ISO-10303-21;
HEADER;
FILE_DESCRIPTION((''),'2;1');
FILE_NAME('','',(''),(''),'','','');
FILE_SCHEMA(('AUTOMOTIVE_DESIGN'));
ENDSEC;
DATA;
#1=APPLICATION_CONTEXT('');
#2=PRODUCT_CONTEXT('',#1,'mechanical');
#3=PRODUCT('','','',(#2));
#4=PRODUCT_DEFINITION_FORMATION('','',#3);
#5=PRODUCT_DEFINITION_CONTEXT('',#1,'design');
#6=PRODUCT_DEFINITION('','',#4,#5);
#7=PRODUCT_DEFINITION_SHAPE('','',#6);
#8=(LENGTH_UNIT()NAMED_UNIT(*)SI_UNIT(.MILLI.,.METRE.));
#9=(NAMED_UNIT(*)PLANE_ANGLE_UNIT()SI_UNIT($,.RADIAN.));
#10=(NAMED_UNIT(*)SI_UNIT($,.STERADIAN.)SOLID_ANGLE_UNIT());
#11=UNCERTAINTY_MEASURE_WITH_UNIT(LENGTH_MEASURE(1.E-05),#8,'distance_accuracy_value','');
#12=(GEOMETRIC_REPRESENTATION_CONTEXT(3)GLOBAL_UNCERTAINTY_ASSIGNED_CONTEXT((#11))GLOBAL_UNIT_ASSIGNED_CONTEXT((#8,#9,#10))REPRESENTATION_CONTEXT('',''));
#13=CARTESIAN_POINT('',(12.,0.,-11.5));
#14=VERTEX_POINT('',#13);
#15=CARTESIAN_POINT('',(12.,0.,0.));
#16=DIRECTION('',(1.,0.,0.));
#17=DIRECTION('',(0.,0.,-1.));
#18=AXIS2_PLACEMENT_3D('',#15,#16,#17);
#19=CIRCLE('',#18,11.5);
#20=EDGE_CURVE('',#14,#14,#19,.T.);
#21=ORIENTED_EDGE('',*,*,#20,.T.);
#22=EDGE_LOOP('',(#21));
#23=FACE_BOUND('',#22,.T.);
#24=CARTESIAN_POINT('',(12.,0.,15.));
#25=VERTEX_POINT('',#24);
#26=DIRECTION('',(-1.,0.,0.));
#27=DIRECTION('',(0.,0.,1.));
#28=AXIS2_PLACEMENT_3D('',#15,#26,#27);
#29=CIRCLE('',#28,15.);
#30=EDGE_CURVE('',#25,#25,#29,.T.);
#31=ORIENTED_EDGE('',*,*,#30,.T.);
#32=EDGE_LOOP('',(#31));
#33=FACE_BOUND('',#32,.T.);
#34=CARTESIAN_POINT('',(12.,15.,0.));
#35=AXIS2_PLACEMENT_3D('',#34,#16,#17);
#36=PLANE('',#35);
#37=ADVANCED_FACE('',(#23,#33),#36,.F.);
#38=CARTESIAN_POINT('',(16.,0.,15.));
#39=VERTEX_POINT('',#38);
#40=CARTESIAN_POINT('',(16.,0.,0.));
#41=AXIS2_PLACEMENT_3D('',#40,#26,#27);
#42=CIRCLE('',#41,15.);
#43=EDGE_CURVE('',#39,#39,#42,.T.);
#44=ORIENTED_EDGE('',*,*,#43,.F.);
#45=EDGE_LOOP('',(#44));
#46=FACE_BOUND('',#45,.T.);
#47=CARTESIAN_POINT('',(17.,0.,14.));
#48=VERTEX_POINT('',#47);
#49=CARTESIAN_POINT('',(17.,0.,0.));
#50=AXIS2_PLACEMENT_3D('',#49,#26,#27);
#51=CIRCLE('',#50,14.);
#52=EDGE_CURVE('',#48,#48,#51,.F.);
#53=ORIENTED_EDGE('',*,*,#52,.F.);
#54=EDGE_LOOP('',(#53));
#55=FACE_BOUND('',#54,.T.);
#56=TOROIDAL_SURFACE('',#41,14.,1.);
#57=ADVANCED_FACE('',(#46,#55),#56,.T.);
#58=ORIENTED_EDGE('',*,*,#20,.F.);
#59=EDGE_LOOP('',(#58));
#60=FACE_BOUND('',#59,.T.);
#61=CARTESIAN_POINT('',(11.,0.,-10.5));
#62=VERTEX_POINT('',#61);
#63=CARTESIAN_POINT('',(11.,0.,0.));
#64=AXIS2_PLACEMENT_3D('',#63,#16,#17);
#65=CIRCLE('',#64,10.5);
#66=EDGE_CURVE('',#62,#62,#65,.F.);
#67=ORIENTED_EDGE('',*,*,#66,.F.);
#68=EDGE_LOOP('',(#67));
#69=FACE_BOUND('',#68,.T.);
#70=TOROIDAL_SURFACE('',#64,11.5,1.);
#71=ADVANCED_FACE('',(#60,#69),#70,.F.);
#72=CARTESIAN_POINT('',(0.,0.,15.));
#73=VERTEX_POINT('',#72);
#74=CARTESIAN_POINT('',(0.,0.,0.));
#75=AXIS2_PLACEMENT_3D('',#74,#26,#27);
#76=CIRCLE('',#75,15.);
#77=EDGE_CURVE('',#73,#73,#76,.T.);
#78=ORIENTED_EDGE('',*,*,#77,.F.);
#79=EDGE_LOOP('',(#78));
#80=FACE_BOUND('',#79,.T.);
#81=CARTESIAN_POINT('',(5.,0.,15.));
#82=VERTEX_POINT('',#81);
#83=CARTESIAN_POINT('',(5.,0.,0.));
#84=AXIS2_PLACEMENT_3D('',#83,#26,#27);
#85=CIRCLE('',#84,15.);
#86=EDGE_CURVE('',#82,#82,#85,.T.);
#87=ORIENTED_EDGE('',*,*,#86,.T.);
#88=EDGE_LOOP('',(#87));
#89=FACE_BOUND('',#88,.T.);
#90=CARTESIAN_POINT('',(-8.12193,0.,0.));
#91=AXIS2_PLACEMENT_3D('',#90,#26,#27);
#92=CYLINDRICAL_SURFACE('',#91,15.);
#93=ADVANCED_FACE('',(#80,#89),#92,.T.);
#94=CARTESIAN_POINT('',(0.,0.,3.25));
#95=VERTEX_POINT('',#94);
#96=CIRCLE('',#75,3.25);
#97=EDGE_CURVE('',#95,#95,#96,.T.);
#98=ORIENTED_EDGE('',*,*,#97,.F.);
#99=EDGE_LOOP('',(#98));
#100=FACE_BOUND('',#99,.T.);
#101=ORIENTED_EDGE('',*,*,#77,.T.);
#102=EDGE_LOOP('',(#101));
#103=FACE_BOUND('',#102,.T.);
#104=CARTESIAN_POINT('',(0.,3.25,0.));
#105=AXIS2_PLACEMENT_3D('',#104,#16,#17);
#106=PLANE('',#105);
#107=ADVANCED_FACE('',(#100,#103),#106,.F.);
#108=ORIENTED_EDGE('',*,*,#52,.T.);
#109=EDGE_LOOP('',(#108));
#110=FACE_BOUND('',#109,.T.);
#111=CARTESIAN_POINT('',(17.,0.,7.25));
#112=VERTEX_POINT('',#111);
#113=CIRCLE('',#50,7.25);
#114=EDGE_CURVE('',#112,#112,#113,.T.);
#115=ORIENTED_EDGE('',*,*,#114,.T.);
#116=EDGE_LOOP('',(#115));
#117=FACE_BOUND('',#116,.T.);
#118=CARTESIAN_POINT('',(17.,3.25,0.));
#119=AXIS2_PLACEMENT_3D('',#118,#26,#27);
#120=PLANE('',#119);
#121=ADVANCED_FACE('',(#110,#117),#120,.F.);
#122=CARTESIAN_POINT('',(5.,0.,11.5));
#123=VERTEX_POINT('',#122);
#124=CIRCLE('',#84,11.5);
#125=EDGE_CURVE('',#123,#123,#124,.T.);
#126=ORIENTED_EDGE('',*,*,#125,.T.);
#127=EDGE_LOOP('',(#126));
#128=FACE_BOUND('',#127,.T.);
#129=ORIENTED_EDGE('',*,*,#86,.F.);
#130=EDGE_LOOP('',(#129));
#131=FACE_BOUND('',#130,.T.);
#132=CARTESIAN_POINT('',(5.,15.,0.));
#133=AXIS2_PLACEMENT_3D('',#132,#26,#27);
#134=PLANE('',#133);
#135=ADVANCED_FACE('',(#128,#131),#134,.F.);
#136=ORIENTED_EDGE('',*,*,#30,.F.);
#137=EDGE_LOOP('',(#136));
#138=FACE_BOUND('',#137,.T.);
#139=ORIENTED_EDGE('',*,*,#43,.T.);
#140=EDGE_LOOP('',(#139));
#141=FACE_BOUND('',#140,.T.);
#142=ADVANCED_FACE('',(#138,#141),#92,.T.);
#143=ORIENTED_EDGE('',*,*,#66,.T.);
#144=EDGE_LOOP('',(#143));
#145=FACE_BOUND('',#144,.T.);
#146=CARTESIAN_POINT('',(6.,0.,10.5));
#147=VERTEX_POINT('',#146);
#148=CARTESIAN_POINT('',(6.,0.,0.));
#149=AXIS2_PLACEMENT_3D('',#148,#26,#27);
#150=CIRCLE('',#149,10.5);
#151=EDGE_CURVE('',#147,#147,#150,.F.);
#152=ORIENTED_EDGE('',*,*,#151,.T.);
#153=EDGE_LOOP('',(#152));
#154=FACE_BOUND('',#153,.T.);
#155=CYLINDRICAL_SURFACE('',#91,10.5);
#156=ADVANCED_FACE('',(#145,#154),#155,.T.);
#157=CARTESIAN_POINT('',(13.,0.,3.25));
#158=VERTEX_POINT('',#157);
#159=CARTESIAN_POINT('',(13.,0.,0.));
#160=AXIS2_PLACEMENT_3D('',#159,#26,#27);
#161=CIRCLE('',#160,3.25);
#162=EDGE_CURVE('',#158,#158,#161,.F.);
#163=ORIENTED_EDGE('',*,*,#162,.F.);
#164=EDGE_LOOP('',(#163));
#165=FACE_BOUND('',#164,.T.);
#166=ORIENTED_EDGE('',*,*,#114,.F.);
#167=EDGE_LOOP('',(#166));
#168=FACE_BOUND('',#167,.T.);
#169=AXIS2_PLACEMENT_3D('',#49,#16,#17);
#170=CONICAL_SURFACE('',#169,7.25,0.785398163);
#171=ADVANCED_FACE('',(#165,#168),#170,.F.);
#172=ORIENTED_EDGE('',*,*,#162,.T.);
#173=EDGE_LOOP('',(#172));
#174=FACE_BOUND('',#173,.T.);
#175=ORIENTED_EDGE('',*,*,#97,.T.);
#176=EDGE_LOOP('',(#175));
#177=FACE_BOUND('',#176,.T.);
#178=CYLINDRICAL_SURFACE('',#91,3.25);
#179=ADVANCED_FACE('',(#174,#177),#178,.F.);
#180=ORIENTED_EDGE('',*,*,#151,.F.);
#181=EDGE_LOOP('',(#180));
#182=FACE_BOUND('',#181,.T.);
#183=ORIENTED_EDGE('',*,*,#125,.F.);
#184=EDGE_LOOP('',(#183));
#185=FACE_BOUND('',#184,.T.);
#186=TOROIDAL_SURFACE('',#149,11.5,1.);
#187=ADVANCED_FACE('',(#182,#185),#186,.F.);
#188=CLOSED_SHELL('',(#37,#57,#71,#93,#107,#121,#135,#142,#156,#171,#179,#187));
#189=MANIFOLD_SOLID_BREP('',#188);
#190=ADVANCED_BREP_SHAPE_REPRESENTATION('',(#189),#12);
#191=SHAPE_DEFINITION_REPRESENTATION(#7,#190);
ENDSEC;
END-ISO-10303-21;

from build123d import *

# Parameters (mm, degrees)
FILLET1_R     = 1
FILLET2_R     = 1
CHAMFER1_SIZE = 4


with BuildPart() as part:
    # Sketch1 → Revolve1 (revolve)
    with BuildSketch(Plane.XY, mode=Mode.PRIVATE) as revolve1_sk:
        Polygon((12, 15), (17, 15), (17, 3.25), (0, 3.25), (0, 15), (5, 15), (5, 10.5), (12, 10.5), align=None)
    revolve(revolve1_sk.sketch.rotate(Axis((-8.121930128, 0, 0), (1, 0, 0)), 90), axis=Axis((-8.121930128, 0, 0), (1, 0, 0)))

    # Fillet1
    fillet1_edges = [part.edges().sort_by_distance(p)[0] for p in [
        (17, 0, -15),
    ]]
    fillet(fillet1_edges, radius=FILLET1_R)

    # Fillet2
    fillet2_edges = [part.edges().sort_by_distance(p)[0] for p in [
        (12, 0, -10.5),
        (5, 0, -10.5),
    ]]
    fillet(fillet2_edges, radius=FILLET2_R)

    # Chamfer1
    chamfer1_edges = [part.edges().sort_by_distance(p)[0] for p in [
        (17, 0, -3.25),
    ]]
    chamfer(chamfer1_edges, length=CHAMFER1_SIZE)


solid = part.part
